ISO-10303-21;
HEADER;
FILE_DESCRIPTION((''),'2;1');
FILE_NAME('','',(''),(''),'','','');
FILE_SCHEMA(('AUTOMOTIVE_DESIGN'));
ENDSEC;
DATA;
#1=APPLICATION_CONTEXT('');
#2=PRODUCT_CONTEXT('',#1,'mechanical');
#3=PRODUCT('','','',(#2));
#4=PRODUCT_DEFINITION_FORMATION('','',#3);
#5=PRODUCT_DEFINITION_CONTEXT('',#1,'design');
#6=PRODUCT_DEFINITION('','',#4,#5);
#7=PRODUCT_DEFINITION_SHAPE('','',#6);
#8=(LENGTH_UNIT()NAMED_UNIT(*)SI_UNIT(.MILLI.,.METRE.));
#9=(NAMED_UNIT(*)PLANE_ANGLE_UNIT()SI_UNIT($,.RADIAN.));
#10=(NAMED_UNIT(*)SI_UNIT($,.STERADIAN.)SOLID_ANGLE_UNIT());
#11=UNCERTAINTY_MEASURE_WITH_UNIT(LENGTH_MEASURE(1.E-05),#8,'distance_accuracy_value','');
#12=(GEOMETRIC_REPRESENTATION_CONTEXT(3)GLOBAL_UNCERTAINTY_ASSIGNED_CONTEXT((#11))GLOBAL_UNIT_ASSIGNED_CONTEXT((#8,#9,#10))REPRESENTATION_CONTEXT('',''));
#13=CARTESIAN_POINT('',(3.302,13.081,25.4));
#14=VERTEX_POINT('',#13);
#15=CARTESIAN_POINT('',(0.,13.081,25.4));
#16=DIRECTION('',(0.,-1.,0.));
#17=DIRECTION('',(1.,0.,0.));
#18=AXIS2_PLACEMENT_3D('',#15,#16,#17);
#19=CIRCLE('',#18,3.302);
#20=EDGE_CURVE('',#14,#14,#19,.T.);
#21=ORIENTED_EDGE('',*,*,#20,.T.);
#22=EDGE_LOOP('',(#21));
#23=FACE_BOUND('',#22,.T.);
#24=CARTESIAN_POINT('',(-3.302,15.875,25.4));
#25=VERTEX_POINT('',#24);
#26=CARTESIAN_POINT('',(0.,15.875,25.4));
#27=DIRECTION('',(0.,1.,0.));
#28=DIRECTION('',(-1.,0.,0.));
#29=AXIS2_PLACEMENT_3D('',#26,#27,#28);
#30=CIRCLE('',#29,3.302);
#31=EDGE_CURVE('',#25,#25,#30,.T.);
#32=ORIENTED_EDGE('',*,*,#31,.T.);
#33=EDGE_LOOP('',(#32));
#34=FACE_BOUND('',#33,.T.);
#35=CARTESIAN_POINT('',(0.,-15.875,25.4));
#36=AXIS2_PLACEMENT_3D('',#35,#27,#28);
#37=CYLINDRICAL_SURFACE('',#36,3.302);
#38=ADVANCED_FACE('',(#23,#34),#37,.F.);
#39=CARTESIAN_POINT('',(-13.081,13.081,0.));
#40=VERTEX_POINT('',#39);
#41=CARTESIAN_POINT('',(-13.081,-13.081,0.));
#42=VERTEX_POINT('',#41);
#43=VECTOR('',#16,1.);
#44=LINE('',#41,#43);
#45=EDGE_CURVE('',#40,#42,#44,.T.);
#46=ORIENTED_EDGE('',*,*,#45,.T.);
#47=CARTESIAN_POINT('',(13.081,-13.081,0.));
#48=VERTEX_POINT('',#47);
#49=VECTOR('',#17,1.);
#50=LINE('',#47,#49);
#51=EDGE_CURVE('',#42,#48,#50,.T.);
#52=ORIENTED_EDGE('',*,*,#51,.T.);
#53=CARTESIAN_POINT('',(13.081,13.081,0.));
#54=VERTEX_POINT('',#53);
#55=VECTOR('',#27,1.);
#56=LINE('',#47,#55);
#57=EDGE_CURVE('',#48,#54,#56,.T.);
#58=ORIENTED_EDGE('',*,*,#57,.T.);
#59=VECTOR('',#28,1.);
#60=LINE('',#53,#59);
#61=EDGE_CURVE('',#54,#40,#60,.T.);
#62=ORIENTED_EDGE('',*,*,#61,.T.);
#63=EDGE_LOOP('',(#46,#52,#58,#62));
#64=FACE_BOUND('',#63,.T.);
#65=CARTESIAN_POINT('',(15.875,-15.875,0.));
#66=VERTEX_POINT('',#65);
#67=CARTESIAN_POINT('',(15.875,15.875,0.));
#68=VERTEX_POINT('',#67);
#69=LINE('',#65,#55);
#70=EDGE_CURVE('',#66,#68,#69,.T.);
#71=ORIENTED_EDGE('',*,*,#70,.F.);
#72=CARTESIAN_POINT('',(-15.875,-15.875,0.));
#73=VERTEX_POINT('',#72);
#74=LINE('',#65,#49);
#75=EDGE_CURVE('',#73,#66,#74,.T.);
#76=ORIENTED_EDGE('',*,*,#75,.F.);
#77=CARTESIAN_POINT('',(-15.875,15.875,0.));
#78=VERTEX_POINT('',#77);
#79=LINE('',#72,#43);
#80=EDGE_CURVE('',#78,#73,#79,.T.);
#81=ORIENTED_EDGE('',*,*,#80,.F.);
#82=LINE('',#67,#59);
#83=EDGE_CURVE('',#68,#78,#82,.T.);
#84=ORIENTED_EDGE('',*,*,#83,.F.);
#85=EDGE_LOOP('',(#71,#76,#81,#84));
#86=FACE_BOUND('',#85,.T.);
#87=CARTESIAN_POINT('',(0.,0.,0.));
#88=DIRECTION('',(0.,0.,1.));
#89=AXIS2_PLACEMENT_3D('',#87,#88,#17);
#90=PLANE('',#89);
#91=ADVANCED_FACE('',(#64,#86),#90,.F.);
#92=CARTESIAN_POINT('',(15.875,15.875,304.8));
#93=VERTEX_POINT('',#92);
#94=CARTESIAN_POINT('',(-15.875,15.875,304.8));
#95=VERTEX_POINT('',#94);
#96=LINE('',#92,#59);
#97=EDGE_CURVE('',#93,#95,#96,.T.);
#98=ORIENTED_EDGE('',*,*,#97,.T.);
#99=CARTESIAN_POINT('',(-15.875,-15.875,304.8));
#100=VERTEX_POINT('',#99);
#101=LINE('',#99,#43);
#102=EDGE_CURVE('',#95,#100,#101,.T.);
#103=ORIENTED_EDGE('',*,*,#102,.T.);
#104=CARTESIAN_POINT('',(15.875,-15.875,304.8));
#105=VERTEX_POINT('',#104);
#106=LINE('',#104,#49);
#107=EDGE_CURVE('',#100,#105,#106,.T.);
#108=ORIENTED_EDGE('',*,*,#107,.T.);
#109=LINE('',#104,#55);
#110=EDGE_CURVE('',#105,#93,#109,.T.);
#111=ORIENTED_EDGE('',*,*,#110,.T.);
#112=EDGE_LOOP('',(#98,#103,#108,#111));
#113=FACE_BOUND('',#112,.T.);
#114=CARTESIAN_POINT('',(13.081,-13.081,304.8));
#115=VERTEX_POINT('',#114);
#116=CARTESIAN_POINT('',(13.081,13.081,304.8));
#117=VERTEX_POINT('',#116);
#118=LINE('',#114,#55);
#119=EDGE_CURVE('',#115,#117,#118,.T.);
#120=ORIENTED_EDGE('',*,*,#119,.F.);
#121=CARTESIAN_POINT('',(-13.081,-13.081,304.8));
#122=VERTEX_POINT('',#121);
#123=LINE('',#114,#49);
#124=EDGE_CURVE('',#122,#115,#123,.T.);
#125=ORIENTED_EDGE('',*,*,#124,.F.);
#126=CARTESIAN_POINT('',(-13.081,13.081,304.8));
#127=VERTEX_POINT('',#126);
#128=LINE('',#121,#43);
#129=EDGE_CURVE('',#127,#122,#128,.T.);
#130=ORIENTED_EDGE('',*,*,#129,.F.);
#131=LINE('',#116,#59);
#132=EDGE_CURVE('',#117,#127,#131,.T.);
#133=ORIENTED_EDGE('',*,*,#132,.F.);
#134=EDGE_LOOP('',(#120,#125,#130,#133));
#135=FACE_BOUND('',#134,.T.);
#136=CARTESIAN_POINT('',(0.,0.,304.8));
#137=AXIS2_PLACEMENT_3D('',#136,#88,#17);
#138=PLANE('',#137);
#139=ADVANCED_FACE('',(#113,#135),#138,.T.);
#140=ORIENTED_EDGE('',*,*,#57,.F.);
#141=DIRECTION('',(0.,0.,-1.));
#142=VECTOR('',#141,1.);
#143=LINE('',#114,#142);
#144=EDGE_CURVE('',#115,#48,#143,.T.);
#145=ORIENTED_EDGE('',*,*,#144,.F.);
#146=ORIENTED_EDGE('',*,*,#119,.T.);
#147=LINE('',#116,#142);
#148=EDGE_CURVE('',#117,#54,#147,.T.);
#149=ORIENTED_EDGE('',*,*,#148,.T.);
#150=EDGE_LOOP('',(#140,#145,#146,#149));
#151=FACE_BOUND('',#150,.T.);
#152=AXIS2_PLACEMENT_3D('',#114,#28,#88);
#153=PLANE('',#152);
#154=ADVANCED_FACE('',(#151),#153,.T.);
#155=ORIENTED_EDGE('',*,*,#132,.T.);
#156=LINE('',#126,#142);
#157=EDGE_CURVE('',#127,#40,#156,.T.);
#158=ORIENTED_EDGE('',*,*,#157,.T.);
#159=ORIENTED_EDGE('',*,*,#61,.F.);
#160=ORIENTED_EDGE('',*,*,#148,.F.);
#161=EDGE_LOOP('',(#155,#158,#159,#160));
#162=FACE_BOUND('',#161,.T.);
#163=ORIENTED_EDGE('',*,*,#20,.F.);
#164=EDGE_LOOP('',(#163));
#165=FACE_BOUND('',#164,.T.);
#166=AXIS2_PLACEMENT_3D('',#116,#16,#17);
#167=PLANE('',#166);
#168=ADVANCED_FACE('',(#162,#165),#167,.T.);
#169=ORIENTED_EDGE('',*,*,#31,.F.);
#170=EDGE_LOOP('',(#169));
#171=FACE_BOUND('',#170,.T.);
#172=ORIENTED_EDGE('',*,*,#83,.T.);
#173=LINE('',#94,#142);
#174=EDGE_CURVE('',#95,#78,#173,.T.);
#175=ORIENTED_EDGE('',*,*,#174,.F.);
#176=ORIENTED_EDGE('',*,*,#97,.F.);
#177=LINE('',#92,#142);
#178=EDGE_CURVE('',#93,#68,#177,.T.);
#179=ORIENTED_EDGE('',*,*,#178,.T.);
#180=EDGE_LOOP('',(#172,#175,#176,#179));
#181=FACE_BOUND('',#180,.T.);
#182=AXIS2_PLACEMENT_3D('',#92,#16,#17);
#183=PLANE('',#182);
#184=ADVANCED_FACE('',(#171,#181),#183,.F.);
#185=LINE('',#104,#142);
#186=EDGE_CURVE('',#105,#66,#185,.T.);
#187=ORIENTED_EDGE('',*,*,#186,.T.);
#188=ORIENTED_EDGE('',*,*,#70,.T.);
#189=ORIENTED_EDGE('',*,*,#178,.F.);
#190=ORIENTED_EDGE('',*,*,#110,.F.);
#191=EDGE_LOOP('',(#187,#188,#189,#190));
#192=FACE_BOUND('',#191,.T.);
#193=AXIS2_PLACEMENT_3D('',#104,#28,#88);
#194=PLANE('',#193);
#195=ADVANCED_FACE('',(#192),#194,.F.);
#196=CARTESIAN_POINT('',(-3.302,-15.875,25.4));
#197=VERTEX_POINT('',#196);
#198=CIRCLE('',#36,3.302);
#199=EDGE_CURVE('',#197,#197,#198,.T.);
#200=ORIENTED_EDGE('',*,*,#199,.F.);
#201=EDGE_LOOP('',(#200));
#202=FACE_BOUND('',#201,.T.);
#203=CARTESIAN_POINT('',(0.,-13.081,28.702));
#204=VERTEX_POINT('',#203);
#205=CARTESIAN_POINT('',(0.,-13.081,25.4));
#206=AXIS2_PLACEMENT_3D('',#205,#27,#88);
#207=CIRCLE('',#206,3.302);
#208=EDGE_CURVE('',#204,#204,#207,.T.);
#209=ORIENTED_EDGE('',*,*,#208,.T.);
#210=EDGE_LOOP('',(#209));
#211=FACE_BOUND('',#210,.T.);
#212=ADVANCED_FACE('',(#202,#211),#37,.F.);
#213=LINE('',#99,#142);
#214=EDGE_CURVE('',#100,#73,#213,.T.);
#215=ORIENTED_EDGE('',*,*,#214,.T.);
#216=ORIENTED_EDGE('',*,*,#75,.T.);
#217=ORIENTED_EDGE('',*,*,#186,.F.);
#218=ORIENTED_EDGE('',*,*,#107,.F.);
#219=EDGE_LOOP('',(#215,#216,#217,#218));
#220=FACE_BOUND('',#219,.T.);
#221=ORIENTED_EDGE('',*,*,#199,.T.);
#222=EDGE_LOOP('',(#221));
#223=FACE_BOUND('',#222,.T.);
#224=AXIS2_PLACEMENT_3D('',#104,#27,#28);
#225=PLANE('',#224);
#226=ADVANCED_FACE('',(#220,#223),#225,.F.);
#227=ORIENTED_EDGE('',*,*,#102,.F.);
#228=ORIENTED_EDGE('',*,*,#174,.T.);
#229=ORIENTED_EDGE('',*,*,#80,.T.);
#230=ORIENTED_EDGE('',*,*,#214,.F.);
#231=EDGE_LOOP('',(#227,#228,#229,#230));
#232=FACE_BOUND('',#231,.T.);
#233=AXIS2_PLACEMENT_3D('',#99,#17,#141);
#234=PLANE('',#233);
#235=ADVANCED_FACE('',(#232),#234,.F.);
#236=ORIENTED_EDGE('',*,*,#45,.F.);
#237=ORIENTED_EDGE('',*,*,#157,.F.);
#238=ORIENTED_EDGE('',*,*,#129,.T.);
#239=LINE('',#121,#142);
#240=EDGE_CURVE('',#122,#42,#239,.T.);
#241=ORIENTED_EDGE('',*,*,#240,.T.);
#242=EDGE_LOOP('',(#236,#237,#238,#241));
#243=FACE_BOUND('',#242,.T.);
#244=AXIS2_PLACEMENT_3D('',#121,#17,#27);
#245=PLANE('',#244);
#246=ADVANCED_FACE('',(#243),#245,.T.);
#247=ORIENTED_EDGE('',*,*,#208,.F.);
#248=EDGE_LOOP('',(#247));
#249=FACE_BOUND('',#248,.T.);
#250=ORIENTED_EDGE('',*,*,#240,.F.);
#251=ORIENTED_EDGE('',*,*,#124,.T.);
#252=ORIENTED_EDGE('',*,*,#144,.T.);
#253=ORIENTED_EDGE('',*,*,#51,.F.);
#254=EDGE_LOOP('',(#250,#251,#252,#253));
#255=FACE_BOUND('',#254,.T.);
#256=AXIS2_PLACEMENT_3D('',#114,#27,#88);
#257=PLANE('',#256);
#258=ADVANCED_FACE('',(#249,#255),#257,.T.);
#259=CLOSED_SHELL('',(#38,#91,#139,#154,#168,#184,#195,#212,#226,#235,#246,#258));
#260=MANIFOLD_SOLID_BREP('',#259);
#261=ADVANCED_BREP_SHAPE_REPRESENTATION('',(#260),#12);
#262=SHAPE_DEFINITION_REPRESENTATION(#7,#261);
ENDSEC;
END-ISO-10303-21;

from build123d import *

# Parameters (mm, degrees)
SKETCH1_W           = 31.75
SKETCH1_H           = 31.75
SKETCH1_W_2         = 26.162
SKETCH1_H_2         = 26.162
BOSS_EXTRUDE1_DEPTH = 304.8
SKETCH2_R           = 3.302
CUT_EXTRUDE1_DEPTH  = 307.860095361


with BuildPart() as part:
    # Sketch1 → Boss-Extrude1 (new body)
    with BuildSketch(Plane.XY):
        Rectangle(SKETCH1_W, SKETCH1_H)
        Rectangle(SKETCH1_W_2, SKETCH1_H_2, mode=Mode.SUBTRACT)
    extrude(amount=BOSS_EXTRUDE1_DEPTH)

    # Sketch2 → Cut-Extrude1 (cut, through all)
    with BuildSketch(Plane(origin=(0, 15.875, 0), x_dir=(1, 0, 0), z_dir=(0, 1, 0))):
        with Locations(Location((0, -25.4, 0), (0, 0, 180))):
            Circle(SKETCH2_R)
    extrude(amount=-CUT_EXTRUDE1_DEPTH, mode=Mode.SUBTRACT)


solid = part.part
